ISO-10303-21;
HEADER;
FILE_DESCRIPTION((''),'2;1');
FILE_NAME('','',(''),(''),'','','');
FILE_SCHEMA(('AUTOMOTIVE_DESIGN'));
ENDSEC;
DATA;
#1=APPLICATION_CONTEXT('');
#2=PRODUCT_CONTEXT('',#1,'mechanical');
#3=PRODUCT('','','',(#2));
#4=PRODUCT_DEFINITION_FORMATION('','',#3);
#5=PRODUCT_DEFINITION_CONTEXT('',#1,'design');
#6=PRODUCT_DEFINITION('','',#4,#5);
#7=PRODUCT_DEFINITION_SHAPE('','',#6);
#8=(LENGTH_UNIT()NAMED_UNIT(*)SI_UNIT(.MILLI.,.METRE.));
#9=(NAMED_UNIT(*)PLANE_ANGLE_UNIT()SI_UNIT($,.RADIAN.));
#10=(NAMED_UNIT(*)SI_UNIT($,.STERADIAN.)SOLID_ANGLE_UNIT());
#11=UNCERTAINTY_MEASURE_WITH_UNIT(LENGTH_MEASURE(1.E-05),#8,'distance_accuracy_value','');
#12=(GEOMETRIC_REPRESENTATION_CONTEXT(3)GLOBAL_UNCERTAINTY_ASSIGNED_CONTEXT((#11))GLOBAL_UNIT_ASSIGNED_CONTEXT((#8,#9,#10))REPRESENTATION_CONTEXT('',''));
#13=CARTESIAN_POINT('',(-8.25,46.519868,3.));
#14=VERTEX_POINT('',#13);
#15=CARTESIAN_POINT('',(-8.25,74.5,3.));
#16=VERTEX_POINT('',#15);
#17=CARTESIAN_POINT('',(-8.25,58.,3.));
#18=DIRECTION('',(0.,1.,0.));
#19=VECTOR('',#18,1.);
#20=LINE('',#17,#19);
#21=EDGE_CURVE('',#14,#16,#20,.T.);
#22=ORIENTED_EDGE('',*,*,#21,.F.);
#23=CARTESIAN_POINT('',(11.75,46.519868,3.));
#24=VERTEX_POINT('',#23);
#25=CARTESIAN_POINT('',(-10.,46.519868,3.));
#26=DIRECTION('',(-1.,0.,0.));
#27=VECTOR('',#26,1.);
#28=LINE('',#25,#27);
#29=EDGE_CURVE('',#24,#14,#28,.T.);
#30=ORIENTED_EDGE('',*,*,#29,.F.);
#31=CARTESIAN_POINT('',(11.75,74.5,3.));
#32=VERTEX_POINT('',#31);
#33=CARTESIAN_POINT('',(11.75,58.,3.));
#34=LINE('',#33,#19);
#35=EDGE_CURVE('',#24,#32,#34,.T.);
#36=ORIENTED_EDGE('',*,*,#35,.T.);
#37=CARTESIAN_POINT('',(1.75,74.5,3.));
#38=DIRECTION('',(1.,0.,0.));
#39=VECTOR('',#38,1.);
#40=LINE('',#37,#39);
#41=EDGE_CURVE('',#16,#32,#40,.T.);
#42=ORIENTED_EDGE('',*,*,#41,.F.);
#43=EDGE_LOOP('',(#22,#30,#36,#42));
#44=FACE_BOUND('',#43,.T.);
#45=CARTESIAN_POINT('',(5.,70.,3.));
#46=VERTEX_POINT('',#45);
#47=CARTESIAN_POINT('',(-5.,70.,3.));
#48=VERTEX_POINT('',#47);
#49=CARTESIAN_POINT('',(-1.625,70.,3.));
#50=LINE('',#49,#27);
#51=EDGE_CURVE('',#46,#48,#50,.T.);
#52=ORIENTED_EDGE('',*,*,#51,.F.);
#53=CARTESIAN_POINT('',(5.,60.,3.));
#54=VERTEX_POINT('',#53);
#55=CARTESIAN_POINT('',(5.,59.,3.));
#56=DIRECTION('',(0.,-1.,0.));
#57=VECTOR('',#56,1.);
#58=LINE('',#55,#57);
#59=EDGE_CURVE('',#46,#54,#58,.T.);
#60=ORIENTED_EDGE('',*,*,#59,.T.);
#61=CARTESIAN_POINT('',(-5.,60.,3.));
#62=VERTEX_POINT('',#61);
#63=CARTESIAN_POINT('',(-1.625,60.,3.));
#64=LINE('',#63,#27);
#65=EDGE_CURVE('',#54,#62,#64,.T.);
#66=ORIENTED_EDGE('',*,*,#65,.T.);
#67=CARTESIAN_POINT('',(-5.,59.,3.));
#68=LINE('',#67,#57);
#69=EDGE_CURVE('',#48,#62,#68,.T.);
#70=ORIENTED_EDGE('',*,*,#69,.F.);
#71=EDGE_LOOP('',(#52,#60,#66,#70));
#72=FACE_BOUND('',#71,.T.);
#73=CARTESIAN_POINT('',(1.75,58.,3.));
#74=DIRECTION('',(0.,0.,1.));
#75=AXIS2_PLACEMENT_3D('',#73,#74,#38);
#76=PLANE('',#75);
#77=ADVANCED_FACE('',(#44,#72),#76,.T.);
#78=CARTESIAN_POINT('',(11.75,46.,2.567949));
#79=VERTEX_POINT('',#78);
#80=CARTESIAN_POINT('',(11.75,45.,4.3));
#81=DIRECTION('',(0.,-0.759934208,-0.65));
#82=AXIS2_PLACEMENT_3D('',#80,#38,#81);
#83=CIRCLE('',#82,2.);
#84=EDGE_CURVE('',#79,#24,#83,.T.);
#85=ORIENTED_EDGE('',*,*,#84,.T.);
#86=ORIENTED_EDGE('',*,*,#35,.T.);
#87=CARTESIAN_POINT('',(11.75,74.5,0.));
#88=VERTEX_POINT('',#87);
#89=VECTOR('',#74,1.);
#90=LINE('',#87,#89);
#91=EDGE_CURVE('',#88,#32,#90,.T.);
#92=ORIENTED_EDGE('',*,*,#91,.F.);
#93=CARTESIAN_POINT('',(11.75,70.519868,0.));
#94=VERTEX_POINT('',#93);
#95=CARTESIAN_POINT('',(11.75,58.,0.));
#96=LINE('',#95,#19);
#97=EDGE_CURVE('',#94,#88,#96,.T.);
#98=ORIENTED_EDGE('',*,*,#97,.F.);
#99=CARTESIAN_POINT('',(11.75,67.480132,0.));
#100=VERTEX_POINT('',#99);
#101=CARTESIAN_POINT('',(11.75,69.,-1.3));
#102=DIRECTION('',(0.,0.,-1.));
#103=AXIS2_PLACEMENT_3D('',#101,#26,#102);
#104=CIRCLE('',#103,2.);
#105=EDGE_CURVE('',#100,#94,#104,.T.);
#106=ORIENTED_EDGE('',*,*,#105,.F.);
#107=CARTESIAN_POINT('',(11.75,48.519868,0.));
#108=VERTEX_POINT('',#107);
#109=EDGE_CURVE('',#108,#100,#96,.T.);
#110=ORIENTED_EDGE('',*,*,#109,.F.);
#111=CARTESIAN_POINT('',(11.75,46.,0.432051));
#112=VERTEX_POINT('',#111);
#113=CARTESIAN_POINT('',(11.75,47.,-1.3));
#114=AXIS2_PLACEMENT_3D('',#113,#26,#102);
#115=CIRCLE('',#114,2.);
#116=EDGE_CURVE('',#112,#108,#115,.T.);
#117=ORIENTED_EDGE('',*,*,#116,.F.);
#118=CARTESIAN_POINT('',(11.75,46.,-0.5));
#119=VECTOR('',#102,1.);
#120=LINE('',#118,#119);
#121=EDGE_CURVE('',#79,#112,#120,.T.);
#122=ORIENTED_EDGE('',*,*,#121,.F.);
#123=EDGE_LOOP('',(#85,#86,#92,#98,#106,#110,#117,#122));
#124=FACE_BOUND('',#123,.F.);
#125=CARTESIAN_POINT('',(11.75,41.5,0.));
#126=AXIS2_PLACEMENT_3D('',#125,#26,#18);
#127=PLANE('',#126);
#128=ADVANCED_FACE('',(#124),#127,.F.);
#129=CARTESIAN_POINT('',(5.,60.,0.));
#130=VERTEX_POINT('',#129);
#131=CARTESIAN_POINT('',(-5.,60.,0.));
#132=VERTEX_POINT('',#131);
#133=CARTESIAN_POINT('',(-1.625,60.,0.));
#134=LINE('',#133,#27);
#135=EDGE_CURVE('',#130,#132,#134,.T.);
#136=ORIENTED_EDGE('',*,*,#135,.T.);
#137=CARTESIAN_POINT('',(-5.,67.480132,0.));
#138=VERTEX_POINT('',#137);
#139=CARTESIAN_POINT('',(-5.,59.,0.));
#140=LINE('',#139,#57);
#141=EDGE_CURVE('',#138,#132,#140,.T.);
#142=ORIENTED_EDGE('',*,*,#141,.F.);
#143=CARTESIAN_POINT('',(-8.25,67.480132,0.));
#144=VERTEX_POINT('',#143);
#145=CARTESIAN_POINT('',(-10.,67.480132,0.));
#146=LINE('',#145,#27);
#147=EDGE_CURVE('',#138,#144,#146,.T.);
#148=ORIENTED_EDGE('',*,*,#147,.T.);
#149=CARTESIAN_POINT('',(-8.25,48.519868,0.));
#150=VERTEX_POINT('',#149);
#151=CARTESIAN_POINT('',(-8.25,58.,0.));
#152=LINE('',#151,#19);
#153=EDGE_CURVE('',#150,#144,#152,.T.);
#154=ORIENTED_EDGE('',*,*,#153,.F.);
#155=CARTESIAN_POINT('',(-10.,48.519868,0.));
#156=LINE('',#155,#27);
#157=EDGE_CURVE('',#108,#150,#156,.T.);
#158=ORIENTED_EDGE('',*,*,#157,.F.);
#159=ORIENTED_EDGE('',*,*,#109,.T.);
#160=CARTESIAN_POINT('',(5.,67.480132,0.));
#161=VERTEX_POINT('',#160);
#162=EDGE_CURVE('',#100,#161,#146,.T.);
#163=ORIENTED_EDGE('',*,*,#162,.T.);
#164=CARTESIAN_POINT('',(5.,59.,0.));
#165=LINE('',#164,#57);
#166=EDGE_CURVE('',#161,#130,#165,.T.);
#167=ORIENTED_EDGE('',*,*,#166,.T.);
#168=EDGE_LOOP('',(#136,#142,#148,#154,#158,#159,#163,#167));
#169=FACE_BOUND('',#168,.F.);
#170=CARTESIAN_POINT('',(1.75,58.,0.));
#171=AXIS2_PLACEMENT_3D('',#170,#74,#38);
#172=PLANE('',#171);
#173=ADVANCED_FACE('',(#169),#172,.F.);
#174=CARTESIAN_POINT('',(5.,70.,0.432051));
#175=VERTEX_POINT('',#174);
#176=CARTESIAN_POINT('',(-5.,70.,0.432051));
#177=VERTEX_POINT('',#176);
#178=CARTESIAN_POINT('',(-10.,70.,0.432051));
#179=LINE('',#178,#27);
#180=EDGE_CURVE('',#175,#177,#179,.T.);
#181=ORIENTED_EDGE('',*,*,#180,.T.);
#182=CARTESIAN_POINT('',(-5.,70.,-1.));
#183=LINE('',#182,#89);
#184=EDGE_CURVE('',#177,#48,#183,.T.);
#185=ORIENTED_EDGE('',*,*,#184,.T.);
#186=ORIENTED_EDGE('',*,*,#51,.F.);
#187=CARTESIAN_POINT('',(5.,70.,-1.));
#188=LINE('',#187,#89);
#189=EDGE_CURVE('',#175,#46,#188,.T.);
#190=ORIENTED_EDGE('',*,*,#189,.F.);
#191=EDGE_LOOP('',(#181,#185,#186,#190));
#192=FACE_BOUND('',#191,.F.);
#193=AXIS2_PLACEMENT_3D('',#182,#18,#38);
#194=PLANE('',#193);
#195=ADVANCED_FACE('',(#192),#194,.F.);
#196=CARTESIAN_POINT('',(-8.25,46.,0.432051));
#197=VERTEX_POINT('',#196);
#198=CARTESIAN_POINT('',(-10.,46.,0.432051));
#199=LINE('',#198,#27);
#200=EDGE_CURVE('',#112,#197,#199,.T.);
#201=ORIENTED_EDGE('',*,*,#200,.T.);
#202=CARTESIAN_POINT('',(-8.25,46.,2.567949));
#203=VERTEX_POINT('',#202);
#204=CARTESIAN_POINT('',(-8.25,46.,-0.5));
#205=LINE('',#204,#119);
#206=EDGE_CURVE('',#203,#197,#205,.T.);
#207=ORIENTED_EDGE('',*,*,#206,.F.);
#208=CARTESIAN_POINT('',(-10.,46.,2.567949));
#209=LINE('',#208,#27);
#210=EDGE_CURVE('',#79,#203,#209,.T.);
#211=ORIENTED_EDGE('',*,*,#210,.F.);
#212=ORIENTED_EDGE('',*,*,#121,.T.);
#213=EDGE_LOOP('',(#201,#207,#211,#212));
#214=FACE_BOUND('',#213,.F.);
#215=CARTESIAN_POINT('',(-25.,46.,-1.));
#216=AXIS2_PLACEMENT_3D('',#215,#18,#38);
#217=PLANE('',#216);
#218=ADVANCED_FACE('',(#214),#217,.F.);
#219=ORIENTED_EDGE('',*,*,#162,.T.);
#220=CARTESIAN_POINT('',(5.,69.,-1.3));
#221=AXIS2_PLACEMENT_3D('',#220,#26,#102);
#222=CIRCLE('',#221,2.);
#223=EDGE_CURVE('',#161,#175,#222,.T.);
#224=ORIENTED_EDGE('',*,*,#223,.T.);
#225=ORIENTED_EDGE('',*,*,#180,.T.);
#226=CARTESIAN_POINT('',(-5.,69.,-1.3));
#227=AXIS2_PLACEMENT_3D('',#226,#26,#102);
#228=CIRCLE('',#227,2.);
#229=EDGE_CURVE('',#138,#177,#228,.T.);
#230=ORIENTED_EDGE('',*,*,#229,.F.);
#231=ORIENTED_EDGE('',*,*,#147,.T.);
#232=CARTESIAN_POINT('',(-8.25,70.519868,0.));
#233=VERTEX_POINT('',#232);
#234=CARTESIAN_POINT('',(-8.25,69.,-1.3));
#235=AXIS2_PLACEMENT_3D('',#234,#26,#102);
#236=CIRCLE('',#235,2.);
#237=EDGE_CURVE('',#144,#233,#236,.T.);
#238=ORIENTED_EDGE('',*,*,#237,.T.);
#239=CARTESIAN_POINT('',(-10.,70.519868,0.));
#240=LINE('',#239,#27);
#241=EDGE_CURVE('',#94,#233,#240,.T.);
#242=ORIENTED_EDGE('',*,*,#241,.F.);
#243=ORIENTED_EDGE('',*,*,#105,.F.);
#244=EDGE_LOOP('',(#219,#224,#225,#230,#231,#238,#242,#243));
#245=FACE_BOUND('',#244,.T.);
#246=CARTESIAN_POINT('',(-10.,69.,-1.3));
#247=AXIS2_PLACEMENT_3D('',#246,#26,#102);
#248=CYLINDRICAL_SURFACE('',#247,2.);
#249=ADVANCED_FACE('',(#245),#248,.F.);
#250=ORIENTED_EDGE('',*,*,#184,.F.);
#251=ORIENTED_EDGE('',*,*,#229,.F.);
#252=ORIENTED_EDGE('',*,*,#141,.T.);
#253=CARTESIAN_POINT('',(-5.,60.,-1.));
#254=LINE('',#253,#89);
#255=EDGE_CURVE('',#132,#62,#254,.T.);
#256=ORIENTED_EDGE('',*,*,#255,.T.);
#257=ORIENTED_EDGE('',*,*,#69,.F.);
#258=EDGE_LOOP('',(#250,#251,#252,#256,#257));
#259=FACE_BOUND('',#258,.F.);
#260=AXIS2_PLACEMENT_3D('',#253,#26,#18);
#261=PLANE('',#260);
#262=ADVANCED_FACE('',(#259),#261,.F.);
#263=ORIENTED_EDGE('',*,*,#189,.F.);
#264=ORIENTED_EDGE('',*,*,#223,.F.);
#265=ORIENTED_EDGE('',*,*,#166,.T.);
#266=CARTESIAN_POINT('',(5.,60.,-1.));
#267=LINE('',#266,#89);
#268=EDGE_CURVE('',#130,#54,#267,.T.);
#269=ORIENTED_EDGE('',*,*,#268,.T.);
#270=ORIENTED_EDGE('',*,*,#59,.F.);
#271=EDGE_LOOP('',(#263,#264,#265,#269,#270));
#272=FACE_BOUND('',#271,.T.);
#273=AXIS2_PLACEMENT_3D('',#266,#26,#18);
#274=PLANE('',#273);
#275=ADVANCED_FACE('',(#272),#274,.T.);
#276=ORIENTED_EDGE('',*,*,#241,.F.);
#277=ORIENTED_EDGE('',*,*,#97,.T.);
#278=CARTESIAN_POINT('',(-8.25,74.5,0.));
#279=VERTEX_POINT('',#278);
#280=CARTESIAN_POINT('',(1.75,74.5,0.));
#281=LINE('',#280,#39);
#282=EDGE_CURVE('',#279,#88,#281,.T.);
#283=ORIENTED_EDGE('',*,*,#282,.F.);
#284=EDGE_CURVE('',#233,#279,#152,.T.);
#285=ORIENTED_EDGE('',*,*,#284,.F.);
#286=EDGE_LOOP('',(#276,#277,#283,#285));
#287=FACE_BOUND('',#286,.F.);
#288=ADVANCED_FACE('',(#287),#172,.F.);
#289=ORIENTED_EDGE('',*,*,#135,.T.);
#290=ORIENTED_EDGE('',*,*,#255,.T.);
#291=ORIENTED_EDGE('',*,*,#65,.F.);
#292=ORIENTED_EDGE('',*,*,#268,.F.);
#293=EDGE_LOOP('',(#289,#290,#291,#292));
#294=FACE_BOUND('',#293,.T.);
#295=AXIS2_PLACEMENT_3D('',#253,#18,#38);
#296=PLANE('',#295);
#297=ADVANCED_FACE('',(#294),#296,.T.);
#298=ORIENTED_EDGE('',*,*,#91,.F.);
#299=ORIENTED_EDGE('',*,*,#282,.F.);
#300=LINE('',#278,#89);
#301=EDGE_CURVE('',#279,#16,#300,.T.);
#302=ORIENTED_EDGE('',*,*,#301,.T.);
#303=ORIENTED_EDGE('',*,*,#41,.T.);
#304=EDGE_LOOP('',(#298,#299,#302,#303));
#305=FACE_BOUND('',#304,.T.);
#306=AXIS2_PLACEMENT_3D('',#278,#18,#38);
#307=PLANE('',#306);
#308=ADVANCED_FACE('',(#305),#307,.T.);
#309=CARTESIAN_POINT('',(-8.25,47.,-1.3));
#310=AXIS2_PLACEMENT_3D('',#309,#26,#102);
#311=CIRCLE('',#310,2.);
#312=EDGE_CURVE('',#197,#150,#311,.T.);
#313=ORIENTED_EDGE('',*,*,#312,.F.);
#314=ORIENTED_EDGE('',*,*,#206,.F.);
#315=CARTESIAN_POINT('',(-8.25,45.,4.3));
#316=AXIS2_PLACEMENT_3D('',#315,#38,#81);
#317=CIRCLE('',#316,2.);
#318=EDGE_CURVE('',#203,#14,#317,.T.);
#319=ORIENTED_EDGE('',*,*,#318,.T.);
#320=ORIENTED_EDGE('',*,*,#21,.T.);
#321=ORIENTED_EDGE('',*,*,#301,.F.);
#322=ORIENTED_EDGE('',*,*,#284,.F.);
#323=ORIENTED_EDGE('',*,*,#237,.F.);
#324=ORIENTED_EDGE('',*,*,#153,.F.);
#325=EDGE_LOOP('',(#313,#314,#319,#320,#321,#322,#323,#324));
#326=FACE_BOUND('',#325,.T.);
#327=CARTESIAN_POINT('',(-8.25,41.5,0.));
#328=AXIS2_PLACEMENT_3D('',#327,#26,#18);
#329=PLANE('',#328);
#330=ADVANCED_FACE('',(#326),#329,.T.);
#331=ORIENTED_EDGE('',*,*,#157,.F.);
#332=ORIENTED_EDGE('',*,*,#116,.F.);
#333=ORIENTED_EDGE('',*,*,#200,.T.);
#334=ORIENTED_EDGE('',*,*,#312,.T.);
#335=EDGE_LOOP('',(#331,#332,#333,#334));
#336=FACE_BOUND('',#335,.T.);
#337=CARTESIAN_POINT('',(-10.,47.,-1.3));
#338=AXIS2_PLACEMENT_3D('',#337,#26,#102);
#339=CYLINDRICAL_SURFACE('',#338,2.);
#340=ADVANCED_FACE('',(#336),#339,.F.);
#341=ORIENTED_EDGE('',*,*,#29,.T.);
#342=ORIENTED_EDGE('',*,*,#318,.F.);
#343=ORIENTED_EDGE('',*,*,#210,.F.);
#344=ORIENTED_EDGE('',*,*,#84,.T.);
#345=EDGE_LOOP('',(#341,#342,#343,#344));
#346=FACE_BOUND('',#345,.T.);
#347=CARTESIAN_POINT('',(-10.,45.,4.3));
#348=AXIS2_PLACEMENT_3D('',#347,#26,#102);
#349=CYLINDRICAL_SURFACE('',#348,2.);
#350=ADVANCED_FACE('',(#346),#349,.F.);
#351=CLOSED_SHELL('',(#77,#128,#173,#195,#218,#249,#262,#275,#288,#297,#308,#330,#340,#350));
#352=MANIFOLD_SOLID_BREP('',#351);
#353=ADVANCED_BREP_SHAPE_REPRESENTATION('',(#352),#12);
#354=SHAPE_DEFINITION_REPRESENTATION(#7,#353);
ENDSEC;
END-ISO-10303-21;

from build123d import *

# Parameters (mm, degrees)
BOX044_W          = 50
BOX044_H          = 20
BOX044_DEPTH      = 30
BOX_W             = 10
BOX_H             = 10
BOX_DEPTH         = 30
CYLINDER011_R     = 2
CYLINDER011_DEPTH = 24
CYLINDER009_R     = 2
CYLINDER009_DEPTH = 24
CYLINDER008_R     = 2
CYLINDER008_DEPTH = 24
BOX001_W          = 20
BOX001_H          = 33
BOX001_DEPTH      = 3


with BuildPart() as cube040:
    # Box044 → Box044 (new body)
    with BuildSketch(Plane(origin=(-25, -32, -1), x_dir=(1, 0, 0), z_dir=(0, 0, 1))):
        with Locations((25, 10)):
            Rectangle(BOX044_W, BOX044_H)
    extrude(amount=BOX044_DEPTH)


with BuildPart() as cube:
    # Box → Box (new body)
    with BuildSketch(Plane(origin=(-5, 2, -1), x_dir=(1, 0, 0), z_dir=(0, 0, 1))):
        with Locations((5, 5)):
            Rectangle(BOX_W, BOX_H)
    extrude(amount=BOX_DEPTH)


with BuildPart() as cylinder007:
    # Cylinder011 → Cylinder011 (new body)
    with BuildSketch(Plane(origin=(-10, -13, 4.3), x_dir=(0, 0, -1), z_dir=(1, 0, 0))):
        Circle(CYLINDER011_R)
    extrude(amount=CYLINDER011_DEPTH)


with BuildPart() as cylinder005:
    # Cylinder009 → Cylinder009 (new body)
    with BuildSketch(Plane(origin=(-10, -11, -1.3), x_dir=(0, 0, -1), z_dir=(1, 0, 0))):
        Circle(CYLINDER009_R)
    extrude(amount=CYLINDER009_DEPTH)


with BuildPart() as cylinder004:
    # Cylinder008 → Cylinder008 (new body)
    with BuildSketch(Plane(origin=(-10, 11, -1.3), x_dir=(0, 0, -1), z_dir=(1, 0, 0))):
        Circle(CYLINDER008_R)
    extrude(amount=CYLINDER008_DEPTH)


with BuildPart() as paste_extruder_charger:
    # Box001 → Box001 (new body)
    with BuildSketch(Plane(origin=(-8.25, -16.5, 0), x_dir=(1, 0, 0), z_dir=(0, 0, 1))):
        with Locations((10, 16.5)):
            Rectangle(BOX001_W, BOX001_H)
    extrude(amount=BOX001_DEPTH)

    # Cut001: cut Cylinder004
    add(cylinder004.part, mode=Mode.SUBTRACT)

    # Cut002: cut Cylinder005
    add(cylinder005.part, mode=Mode.SUBTRACT)

    # Cut003: cut Cylinder007
    add(cylinder007.part, mode=Mode.SUBTRACT)

    # Cut063: cut Cube
    add(cube.part, mode=Mode.SUBTRACT)

    # Cut062: cut Cube040
    add(cube040.part, mode=Mode.SUBTRACT)


with BuildPart() as paste_extruder_charger_1:
    # Cut062 placement: moved
    add(paste_extruder_charger.part.moved(Location((0, 58, 0))))


solid = paste_extruder_charger_1.part
